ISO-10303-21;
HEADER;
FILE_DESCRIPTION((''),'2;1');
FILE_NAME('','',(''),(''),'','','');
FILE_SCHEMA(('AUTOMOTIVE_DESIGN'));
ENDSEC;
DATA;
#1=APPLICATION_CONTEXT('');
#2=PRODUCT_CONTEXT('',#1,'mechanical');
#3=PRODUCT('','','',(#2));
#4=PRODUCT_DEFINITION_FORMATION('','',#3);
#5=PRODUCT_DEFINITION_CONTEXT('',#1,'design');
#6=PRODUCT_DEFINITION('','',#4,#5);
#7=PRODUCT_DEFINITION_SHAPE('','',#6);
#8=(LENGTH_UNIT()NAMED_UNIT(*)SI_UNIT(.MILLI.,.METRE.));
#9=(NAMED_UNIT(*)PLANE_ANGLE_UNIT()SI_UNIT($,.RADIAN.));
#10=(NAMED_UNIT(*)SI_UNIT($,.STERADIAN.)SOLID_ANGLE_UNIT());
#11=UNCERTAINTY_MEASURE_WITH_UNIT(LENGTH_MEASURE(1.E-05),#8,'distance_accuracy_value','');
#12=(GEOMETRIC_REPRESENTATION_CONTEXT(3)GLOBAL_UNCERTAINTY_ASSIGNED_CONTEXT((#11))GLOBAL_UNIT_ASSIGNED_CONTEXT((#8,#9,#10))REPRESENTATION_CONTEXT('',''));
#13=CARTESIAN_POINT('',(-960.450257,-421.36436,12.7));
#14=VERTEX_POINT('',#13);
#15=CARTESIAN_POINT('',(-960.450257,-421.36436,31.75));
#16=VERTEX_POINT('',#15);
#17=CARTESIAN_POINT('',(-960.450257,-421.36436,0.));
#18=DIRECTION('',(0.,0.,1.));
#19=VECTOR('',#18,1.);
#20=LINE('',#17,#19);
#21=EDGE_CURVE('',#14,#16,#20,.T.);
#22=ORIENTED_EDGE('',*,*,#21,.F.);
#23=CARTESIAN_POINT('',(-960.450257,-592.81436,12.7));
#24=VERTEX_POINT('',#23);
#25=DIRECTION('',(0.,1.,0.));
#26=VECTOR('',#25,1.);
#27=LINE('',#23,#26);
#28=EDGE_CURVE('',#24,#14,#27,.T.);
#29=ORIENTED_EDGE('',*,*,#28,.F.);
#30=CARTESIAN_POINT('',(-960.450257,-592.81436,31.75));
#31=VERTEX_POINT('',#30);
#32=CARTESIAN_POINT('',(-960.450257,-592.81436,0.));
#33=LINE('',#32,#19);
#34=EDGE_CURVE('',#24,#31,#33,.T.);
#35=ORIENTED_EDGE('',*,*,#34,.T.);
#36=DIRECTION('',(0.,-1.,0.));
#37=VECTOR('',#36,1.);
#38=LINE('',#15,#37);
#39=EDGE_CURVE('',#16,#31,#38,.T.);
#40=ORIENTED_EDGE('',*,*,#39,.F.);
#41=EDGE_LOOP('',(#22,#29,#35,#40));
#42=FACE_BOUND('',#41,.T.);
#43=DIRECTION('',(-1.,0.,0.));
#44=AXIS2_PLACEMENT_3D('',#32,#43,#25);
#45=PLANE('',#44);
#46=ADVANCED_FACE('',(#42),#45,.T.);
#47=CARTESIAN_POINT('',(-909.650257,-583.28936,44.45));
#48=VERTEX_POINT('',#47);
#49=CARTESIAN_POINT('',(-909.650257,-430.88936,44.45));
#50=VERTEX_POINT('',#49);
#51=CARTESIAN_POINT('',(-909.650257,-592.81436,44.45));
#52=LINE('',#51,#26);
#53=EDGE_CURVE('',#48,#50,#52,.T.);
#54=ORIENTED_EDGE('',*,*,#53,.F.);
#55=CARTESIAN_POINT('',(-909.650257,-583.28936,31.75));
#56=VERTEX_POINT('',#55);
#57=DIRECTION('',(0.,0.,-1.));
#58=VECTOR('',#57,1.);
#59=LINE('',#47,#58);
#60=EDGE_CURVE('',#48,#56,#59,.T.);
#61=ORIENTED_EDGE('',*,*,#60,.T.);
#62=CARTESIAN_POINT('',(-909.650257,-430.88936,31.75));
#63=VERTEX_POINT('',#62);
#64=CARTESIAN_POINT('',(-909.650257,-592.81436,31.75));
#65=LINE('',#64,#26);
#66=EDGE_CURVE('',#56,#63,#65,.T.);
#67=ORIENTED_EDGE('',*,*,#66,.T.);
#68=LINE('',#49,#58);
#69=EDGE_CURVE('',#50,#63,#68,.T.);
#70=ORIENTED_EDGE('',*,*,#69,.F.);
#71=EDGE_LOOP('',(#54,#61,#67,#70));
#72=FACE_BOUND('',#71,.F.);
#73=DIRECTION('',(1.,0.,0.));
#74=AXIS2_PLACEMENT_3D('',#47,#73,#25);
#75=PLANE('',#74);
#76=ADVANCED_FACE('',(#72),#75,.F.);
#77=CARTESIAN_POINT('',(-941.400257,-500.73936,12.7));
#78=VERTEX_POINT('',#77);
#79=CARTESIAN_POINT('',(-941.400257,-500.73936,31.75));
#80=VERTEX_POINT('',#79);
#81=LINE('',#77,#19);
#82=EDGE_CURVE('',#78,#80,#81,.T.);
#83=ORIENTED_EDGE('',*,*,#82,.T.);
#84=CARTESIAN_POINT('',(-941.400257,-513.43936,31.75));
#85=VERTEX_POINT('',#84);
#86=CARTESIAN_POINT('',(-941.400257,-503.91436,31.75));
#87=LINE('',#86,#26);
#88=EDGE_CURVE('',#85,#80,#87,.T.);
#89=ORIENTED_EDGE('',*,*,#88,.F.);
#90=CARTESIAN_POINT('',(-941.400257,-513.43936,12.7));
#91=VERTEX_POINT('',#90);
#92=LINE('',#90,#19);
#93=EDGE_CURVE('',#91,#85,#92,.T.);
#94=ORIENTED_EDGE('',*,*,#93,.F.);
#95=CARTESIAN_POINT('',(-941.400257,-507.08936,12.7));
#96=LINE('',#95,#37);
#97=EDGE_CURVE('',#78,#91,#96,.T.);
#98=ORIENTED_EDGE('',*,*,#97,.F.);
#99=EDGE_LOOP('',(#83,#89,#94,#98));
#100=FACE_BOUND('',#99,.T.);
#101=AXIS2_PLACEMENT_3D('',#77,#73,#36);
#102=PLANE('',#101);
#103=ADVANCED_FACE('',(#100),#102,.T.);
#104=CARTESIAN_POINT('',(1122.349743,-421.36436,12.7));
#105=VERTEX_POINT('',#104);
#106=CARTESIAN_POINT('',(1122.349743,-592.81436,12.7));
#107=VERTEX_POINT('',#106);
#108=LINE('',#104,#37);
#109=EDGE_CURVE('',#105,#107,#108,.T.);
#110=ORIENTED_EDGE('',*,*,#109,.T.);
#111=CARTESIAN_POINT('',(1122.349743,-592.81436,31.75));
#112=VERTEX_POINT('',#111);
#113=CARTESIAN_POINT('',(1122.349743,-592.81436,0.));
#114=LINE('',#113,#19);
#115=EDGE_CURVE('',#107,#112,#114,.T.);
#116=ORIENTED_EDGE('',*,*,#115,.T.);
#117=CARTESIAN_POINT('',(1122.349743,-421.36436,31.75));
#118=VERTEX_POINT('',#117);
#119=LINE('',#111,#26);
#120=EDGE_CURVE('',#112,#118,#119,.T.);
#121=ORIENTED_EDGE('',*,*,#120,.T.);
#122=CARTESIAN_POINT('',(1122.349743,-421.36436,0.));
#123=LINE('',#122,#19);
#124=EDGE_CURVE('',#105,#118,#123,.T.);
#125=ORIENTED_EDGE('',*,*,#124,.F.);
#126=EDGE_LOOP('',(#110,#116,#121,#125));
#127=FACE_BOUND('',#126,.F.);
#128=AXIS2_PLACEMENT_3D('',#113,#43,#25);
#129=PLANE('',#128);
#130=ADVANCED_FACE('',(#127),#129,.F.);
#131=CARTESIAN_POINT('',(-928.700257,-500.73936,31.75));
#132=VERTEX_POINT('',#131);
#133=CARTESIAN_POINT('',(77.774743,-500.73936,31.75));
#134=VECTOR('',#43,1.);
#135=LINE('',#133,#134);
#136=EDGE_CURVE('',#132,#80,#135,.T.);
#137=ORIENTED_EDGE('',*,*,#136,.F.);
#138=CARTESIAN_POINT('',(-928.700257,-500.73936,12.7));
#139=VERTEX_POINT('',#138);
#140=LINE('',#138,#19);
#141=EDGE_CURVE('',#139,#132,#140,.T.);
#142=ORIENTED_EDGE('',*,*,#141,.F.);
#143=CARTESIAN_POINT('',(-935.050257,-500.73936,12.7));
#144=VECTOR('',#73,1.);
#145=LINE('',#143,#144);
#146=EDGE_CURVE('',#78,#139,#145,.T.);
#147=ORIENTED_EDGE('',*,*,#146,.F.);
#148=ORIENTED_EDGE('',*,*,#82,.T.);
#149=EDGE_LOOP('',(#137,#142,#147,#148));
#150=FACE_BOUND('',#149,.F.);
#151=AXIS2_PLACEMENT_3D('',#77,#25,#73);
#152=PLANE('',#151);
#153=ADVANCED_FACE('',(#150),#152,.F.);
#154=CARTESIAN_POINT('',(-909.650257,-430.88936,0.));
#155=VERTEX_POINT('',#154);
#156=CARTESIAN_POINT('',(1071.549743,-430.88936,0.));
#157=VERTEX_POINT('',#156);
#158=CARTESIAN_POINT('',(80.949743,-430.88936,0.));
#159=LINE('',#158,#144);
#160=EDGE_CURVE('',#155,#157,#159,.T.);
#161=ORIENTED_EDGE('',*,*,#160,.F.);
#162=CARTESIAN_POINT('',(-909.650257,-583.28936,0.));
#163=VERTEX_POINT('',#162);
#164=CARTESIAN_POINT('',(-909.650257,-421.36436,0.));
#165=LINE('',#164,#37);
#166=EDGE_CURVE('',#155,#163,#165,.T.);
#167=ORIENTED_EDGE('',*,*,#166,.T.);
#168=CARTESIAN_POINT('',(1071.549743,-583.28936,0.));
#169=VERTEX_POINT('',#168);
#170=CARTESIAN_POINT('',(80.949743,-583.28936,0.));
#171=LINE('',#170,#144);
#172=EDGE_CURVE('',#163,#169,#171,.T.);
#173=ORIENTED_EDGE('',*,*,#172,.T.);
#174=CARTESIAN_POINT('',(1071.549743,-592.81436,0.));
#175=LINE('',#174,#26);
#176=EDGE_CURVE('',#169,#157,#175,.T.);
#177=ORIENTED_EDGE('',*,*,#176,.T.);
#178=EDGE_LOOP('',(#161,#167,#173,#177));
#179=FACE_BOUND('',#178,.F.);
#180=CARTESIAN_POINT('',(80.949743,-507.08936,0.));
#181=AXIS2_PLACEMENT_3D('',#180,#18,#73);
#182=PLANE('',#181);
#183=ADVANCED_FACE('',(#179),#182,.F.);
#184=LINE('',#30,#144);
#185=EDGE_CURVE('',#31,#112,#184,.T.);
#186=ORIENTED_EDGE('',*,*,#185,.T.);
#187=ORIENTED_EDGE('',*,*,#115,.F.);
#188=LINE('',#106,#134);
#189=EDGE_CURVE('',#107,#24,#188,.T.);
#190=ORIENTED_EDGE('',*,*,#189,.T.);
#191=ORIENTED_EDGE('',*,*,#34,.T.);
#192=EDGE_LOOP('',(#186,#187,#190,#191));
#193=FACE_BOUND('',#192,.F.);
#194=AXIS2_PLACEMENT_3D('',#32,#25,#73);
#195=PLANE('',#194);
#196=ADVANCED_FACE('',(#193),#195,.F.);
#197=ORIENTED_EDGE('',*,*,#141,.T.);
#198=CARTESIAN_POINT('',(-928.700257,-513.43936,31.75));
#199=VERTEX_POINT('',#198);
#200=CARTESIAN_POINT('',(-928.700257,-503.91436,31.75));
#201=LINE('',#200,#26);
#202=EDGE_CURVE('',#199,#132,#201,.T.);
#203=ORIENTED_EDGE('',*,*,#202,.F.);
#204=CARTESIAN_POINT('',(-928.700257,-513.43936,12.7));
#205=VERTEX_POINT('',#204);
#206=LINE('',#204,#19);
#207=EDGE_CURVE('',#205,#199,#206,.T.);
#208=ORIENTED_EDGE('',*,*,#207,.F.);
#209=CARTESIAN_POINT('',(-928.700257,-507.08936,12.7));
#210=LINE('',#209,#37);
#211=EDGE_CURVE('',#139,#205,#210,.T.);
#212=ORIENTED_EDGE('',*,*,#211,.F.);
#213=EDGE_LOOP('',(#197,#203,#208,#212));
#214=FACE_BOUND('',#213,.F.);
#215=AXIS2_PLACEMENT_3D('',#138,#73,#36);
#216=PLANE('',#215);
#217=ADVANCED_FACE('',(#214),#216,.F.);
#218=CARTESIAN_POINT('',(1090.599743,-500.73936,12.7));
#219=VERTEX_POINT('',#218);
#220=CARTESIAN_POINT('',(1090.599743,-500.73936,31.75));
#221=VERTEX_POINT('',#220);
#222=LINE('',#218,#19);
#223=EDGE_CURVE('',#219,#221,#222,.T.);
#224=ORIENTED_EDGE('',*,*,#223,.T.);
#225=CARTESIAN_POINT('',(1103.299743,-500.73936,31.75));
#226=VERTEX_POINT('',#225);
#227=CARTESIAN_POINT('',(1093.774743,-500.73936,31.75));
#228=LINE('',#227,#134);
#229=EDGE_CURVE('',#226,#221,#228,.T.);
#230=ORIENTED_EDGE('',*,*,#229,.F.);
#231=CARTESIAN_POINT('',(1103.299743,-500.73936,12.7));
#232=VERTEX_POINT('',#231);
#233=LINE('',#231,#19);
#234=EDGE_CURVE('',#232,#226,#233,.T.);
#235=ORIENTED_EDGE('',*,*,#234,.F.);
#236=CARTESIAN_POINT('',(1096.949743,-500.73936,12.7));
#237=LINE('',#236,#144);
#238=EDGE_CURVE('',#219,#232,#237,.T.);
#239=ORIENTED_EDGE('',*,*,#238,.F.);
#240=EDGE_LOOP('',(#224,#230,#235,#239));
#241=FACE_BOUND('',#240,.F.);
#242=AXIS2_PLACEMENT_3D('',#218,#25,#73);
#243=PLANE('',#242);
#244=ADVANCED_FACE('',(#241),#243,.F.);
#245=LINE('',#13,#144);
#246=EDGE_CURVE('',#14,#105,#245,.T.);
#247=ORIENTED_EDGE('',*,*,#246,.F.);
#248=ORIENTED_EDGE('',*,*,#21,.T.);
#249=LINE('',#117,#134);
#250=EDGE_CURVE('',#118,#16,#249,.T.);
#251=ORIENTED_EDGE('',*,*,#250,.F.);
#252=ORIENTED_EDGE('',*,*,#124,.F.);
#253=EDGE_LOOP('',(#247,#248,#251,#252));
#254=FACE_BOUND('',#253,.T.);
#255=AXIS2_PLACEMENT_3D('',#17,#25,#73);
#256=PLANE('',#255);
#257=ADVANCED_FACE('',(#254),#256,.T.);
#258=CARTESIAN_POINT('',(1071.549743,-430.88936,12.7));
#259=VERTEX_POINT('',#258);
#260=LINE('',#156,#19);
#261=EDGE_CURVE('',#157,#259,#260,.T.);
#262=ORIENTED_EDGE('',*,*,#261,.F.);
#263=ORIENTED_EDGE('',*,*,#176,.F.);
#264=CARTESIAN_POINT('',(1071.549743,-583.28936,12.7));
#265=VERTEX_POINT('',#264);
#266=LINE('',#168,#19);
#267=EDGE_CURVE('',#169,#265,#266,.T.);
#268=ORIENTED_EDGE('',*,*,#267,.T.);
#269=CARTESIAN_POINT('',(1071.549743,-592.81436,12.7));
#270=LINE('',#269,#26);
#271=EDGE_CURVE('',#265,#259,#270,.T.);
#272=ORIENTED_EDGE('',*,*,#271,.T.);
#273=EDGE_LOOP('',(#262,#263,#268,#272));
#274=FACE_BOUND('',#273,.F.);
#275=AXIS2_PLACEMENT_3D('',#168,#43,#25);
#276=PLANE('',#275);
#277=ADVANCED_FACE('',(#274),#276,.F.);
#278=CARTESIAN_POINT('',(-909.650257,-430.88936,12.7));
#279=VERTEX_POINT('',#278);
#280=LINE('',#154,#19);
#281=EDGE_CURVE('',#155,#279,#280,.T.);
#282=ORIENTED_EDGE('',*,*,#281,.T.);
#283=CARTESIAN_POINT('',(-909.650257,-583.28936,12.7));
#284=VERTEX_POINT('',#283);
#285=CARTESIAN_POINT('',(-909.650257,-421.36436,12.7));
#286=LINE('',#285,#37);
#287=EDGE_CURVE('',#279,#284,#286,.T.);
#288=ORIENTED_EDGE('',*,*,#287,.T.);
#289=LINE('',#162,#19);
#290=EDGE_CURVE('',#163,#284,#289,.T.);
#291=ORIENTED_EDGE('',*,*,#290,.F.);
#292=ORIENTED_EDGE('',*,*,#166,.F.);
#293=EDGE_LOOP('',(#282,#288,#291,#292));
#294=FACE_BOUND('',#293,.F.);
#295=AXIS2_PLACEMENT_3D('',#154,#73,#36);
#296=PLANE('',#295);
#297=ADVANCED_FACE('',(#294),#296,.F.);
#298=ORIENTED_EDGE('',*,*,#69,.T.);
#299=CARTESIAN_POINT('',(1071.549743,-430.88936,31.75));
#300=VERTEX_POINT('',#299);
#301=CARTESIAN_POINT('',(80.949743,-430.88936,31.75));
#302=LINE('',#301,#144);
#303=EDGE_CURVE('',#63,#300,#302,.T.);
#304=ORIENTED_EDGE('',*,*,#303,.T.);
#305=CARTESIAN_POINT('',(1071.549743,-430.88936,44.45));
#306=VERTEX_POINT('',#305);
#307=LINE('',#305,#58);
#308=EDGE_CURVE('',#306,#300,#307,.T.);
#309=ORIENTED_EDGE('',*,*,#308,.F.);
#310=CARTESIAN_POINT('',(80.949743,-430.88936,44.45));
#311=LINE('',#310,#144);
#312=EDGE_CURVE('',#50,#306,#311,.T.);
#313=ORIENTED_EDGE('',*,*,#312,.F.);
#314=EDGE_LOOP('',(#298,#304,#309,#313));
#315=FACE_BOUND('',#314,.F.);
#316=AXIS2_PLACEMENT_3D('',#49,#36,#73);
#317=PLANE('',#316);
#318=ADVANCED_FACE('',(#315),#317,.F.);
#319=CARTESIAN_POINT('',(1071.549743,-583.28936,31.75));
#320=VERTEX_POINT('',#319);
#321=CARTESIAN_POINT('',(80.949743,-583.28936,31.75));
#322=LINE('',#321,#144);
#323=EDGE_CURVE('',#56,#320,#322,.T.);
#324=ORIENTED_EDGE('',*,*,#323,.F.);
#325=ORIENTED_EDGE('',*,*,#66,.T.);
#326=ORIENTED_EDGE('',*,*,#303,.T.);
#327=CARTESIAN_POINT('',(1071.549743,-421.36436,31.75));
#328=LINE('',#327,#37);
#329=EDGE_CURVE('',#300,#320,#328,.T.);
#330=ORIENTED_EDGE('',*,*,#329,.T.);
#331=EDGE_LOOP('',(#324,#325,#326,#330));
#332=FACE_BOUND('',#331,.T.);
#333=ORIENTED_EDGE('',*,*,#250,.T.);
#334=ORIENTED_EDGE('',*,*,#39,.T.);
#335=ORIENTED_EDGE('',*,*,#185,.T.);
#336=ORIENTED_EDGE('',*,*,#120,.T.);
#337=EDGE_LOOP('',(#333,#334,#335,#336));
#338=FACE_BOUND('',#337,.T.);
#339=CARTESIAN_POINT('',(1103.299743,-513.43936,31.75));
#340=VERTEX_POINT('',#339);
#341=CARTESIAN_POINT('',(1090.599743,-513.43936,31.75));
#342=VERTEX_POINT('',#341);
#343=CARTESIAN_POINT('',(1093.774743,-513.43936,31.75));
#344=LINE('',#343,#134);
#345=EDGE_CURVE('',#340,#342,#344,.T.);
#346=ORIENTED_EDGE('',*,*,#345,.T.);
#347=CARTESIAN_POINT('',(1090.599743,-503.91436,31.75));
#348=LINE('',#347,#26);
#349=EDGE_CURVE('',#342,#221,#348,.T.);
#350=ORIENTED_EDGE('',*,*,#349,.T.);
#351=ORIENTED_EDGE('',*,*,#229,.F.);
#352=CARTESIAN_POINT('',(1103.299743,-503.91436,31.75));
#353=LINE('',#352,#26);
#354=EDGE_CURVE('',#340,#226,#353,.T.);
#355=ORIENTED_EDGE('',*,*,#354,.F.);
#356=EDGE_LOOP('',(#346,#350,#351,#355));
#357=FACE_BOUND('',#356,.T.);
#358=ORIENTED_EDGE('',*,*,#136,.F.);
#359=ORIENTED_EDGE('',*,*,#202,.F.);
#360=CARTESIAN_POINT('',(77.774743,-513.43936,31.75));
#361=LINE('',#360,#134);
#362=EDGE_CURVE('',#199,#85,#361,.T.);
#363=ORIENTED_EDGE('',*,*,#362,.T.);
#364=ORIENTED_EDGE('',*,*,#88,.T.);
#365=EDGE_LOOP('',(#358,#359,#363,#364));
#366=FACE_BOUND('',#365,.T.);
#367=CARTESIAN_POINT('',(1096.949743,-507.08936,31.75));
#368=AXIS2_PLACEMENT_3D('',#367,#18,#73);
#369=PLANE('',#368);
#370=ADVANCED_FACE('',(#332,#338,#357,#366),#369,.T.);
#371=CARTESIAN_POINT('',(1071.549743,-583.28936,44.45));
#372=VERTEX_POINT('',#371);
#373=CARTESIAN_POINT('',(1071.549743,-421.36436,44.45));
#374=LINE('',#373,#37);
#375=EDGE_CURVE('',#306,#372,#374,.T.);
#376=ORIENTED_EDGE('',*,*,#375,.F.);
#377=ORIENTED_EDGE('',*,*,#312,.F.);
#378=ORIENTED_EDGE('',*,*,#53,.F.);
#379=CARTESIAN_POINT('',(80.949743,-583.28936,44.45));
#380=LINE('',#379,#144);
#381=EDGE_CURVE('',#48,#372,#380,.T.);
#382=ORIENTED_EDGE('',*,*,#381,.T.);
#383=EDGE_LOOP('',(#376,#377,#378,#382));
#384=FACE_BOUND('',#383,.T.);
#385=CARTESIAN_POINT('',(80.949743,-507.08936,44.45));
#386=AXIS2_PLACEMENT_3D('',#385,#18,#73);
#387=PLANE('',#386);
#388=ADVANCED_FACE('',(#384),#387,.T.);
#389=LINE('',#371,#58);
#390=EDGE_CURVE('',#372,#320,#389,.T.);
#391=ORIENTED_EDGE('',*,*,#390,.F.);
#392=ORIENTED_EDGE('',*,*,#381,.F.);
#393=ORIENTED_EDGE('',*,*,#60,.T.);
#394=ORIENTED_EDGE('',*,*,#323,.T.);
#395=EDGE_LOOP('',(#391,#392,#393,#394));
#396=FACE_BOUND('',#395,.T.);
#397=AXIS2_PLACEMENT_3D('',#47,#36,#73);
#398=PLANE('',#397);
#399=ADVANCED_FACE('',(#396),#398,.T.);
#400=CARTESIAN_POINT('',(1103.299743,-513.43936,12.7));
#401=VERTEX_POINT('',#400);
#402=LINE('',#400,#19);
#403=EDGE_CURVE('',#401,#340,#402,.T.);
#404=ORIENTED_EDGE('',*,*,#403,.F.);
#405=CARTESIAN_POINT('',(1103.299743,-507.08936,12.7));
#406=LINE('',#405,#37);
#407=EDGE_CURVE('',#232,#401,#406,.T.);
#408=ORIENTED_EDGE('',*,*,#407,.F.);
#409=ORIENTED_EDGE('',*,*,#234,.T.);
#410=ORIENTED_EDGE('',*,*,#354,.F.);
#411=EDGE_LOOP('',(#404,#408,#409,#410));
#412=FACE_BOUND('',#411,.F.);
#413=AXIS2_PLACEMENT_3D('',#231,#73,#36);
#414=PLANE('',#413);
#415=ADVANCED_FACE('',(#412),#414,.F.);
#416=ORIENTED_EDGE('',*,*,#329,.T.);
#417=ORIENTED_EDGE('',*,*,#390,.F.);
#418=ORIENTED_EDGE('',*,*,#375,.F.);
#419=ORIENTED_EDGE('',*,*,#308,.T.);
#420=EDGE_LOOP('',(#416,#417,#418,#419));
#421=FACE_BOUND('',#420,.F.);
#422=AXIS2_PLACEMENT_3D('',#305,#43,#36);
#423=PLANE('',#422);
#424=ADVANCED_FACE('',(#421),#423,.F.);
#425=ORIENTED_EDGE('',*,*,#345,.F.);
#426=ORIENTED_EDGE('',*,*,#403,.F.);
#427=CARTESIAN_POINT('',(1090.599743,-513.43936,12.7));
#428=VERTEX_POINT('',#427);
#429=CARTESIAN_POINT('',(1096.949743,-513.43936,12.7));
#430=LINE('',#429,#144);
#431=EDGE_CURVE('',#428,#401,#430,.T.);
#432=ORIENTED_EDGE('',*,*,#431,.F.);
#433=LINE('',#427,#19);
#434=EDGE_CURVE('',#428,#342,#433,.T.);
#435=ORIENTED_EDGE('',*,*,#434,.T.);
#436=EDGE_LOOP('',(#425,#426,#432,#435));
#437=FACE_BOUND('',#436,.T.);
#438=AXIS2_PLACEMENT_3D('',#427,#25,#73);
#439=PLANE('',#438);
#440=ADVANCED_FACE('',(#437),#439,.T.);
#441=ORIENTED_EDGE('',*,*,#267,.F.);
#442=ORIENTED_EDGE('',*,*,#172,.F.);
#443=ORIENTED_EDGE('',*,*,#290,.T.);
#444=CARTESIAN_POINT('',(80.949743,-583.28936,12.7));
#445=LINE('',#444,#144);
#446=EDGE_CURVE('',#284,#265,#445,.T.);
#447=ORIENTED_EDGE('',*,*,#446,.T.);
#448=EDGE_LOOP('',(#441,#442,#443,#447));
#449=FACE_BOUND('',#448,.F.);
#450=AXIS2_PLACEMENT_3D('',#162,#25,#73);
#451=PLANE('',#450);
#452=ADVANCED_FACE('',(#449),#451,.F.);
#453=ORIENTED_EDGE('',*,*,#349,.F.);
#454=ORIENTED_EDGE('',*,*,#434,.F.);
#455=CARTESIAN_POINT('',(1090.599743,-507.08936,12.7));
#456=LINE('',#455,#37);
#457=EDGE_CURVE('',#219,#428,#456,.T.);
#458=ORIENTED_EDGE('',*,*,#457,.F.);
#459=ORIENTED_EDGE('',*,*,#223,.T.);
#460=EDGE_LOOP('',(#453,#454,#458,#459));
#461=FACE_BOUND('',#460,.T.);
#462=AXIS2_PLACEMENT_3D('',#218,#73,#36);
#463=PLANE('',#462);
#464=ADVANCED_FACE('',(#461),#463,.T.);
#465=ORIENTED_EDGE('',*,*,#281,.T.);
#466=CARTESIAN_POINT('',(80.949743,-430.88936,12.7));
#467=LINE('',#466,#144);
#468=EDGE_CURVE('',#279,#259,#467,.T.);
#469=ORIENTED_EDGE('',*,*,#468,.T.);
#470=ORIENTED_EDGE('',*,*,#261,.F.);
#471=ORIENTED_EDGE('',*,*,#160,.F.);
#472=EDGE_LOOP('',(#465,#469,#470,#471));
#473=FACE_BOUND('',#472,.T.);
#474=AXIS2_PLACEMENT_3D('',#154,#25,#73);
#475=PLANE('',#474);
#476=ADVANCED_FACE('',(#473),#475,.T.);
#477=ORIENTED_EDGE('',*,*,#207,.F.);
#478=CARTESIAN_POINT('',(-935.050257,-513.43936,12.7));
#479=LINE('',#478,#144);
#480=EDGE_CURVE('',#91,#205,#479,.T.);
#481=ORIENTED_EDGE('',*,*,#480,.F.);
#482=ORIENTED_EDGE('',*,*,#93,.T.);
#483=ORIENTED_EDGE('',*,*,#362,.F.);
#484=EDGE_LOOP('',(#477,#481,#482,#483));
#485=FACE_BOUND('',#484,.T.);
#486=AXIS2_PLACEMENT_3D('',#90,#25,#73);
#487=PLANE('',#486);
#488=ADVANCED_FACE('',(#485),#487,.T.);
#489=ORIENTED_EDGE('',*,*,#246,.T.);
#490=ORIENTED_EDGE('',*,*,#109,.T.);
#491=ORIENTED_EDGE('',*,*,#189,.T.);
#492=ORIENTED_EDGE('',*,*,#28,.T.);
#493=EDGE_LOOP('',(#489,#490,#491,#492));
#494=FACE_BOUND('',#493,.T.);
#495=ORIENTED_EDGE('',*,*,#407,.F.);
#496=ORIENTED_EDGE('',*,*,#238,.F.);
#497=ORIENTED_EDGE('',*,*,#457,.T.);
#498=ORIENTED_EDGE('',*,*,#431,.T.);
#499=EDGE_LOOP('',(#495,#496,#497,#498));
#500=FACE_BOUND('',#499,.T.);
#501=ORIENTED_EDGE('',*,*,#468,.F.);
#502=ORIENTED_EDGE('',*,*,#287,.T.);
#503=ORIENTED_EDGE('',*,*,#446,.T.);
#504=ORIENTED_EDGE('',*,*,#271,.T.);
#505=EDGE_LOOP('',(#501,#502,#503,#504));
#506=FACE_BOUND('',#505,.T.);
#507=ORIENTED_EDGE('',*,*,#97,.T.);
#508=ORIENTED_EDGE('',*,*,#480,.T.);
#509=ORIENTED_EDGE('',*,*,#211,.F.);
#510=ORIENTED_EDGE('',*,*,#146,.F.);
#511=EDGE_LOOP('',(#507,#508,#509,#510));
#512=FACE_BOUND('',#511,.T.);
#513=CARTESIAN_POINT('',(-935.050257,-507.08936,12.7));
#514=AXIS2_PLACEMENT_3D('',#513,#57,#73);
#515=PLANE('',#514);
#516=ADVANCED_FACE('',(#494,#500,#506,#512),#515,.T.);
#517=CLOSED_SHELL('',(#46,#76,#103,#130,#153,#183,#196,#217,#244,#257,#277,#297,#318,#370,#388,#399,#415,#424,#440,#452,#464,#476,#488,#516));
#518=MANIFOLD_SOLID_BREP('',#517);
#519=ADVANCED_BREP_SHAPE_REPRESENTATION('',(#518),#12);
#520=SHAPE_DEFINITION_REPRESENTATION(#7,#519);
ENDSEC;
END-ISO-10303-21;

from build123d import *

# Parameters (mm, degrees)
F0_W     = 2082.8
F0_H     = 171.45
F1_DEPTH = 44.45
F2_W     = 1981.2
F2_H     = 9.525
F3_DEPTH = 12.7
F4_W     = 1981.2
F4_H     = 9.525
F5_DEPTH = 12.7
F6_W     = 12.7
F6_H     = 12.7
F7_DEPTH = 31.751


with BuildPart() as f1:
    # F0 (on Top) → F1 (new body)
    with BuildSketch(Plane.XY):
        with Locations((80.949743, -507.08936)):
            Rectangle(F0_W, F0_H)
    extrude(amount=F1_DEPTH)

    # F2 (on face) → F3 (cut)
    with BuildSketch(Plane(origin=(0, 0, 0), x_dir=(1, 0, 0), z_dir=(0, 0, -1))):
        Polygon((-960.450257, 592.81436), (-960.450257, 421.36436), (-909.650257, 421.36436), (-909.650257, 430.88936), (-909.650257, 583.28936), (-909.650257, 592.81436), align=None)
        with Locations((80.949743, 426.12686)):
            Rectangle(F2_W, F2_H)
        Polygon((1071.549743, 430.88936), (1071.549743, 421.36436), (1122.349743, 421.36436), (1122.349743, 592.81436), (1071.549743, 592.81436), (1071.549743, 583.28936), align=None)
        with Locations((80.949743, 588.05186)):
            Rectangle(F2_W, F2_H)
    extrude(amount=-F3_DEPTH, mode=Mode.SUBTRACT)

    # F4 (on face) → F5 (cut)
    with BuildSketch(Plane.XY.offset(44.45)):
        Polygon((1122.349743, -421.36436), (1071.549743, -421.36436), (1071.549743, -430.88936), (1071.549743, -583.28936), (1071.549743, -592.81436), (1122.349743, -592.81436), align=None)
        with Locations((80.949743, -426.12686)):
            Rectangle(F4_W, F4_H)
        Polygon((-909.650257, -430.88936), (-909.650257, -421.36436), (-960.450257, -421.36436), (-960.450257, -592.81436), (-909.650257, -592.81436), (-909.650257, -583.28936), align=None)
        with Locations((80.949743, -588.05186)):
            Rectangle(F4_W, F4_H)
    extrude(amount=-F5_DEPTH, mode=Mode.SUBTRACT)

    # F6 (on face) → F7 (cut, through all)
    with BuildSketch(Plane(origin=(0, 0, 12.7), x_dir=(1, 0, 0), z_dir=(0, 0, -1))):
        with Locations((-935.050257, 507.08936)):
            Rectangle(F6_W, F6_H)
        with Locations((1096.949743, 507.08936)):
            Rectangle(F6_W, F6_H)
    extrude(amount=-F7_DEPTH, mode=Mode.SUBTRACT)


solid = f1.part
